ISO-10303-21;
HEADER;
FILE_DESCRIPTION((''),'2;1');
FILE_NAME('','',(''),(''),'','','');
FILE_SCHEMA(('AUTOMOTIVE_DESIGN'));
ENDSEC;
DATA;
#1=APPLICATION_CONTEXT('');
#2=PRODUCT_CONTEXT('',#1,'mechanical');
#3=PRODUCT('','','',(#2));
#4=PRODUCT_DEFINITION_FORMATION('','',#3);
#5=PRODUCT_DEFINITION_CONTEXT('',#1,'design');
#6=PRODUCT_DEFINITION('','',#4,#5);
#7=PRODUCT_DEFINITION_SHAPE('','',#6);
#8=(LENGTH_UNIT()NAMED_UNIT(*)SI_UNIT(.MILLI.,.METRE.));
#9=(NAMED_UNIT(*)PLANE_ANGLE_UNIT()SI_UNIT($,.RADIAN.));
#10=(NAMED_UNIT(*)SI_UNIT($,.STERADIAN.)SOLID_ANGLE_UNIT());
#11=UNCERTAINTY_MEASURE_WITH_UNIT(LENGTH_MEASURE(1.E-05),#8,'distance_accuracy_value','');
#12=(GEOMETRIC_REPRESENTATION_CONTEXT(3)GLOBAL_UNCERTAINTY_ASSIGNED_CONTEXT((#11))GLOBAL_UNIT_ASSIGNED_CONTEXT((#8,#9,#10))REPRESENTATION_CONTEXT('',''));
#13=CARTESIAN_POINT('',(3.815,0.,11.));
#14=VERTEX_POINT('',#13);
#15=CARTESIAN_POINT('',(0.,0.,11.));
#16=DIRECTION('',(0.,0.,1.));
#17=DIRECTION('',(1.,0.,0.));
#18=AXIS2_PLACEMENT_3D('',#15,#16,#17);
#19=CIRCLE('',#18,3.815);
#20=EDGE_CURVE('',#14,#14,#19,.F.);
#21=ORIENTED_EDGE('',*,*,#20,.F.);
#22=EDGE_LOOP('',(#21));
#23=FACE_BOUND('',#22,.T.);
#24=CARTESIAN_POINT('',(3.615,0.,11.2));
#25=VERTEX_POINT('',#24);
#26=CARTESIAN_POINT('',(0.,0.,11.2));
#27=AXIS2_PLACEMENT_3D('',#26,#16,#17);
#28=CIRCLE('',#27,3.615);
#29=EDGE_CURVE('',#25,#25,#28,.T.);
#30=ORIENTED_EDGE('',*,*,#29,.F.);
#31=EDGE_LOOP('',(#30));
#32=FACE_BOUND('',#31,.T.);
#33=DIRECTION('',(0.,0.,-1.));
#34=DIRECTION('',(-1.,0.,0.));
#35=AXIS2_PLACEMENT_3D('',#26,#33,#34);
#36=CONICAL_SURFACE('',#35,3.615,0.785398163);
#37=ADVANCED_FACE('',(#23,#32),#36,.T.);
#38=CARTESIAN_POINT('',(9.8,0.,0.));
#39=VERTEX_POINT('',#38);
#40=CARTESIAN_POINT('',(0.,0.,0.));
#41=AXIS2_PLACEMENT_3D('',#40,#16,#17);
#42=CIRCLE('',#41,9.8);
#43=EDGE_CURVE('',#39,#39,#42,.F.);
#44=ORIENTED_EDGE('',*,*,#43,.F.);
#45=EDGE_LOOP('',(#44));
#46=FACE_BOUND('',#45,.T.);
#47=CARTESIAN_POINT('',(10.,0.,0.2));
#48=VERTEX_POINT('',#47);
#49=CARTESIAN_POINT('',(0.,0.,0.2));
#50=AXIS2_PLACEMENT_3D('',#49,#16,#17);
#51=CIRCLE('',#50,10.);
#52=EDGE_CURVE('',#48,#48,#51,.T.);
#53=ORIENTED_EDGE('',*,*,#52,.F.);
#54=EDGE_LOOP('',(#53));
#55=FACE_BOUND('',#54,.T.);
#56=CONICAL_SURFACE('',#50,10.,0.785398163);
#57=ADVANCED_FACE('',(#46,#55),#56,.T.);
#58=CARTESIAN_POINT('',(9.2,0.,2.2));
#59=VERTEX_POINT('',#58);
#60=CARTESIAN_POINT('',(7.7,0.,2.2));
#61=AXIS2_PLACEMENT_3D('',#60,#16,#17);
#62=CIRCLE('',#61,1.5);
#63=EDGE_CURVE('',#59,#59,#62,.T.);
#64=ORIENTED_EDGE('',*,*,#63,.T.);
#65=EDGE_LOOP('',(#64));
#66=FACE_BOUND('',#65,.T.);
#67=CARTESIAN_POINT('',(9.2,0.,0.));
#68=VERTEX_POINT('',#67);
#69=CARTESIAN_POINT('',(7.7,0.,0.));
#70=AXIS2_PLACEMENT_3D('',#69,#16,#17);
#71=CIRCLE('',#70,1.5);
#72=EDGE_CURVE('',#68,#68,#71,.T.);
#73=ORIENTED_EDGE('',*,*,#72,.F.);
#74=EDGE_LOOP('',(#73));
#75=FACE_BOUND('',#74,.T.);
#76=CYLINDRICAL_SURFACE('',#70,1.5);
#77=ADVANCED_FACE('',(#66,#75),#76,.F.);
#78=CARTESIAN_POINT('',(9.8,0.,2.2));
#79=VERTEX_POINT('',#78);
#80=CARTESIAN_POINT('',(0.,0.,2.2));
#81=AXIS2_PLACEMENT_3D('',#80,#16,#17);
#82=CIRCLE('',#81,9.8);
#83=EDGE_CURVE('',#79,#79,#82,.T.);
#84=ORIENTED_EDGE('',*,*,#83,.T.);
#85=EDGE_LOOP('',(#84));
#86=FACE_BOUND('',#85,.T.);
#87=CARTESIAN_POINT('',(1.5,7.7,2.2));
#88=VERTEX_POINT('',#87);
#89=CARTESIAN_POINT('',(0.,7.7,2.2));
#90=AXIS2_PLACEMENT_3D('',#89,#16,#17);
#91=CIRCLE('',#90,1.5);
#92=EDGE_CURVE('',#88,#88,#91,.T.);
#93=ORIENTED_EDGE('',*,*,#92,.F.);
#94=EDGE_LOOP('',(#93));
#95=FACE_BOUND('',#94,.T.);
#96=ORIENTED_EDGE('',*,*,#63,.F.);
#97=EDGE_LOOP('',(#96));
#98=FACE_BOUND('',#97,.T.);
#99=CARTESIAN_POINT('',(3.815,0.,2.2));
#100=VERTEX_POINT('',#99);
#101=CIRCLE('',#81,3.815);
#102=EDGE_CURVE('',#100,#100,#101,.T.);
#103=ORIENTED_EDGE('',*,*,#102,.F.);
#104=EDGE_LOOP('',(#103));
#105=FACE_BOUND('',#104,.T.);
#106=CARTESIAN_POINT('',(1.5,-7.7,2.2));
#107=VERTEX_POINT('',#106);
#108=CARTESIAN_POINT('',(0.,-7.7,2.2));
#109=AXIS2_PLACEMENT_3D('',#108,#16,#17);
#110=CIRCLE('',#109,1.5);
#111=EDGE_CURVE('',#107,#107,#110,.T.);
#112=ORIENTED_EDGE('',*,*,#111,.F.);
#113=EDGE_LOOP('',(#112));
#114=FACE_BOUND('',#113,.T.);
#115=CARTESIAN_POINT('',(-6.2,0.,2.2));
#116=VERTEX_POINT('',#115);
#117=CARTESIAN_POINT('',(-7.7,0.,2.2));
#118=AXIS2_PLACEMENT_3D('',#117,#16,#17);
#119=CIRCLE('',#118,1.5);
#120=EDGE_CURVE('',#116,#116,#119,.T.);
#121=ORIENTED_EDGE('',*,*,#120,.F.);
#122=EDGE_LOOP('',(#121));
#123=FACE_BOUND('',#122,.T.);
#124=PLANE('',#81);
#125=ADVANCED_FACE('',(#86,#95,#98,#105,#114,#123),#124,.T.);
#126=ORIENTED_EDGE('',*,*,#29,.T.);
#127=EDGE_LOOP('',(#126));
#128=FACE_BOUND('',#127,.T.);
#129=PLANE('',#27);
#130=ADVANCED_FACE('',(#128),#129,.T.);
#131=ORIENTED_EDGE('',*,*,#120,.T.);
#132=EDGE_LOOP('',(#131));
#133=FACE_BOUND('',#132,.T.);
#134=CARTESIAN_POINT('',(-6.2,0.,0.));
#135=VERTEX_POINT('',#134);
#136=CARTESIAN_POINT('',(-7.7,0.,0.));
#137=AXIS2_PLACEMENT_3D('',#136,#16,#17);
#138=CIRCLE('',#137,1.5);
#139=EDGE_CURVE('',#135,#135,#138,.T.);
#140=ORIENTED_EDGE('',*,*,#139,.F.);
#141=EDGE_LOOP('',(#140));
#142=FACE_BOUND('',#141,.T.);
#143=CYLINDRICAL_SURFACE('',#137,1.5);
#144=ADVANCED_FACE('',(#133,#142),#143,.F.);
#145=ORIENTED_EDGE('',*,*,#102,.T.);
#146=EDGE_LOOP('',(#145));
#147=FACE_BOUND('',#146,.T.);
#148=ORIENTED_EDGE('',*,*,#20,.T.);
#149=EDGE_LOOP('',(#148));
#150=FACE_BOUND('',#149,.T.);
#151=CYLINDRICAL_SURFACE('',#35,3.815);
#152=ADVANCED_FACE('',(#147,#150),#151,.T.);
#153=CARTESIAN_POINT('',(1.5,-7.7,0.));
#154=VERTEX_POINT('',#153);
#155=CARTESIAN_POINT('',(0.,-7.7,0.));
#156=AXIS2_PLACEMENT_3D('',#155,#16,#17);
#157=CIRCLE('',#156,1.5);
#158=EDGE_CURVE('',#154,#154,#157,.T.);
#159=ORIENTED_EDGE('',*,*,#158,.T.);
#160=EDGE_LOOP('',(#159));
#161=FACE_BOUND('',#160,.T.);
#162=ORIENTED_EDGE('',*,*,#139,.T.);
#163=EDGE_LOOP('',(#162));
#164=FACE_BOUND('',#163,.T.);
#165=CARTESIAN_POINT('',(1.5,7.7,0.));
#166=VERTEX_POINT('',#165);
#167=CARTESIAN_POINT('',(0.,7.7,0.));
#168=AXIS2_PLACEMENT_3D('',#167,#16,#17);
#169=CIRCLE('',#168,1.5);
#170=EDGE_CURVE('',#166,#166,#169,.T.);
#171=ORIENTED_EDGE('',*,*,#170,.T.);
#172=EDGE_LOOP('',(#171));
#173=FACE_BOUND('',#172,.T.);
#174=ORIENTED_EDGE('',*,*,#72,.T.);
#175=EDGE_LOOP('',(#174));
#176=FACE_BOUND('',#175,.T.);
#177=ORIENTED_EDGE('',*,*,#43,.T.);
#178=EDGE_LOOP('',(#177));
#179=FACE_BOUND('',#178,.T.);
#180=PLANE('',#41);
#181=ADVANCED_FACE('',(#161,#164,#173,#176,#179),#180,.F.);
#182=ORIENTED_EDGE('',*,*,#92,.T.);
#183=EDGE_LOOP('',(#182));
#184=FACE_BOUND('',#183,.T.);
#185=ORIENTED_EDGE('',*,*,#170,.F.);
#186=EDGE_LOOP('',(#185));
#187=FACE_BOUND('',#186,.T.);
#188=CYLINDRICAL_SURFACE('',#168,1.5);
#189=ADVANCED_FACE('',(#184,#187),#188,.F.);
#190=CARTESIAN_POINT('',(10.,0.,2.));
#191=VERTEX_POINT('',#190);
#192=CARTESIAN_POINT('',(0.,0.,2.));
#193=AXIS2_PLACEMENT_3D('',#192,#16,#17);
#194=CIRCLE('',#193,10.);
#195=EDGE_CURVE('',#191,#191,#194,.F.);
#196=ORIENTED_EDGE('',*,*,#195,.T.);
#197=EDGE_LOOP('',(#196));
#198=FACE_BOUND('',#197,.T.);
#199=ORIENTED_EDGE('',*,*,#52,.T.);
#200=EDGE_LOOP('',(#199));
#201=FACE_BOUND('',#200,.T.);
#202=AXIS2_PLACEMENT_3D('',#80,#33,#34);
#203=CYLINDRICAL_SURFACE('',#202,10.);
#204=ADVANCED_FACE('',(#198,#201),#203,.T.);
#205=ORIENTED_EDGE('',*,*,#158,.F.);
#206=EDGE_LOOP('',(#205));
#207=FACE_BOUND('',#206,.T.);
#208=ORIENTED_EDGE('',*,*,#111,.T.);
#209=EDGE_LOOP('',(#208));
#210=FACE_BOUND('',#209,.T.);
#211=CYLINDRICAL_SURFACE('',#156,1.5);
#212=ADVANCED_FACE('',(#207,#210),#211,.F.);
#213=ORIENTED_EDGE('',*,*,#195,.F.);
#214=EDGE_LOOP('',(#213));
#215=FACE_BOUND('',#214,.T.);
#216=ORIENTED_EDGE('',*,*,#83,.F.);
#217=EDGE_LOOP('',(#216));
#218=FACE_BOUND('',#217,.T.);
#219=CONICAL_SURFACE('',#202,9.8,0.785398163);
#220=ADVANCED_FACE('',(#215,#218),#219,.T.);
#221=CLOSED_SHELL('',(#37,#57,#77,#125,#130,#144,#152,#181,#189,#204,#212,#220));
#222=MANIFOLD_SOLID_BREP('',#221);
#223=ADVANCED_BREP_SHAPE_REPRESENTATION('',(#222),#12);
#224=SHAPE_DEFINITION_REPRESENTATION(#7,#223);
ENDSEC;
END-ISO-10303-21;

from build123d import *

# Parameters (mm, degrees)
SKETCH1_R           = 10
BOSS_EXTRUDE1_DEPTH = 2.2
SKETCH2_R           = 1.5
CUT_EXTRUDE1_DEPTH  = 15.31223253
SKETCH2_3_R         = 3.815
BOSS_EXTRUDE2_DEPTH = 9
CHAMFER1_SIZE       = 0.2


with BuildPart() as part:
    # Sketch1 → Boss-Extrude1 (new body)
    with BuildSketch(Plane.XY):
        Circle(SKETCH1_R)
    extrude(amount=BOSS_EXTRUDE1_DEPTH)

    # Sketch2 → Cut-Extrude1 (cut, through all)
    with BuildSketch(Plane.XY.offset(2.2)):
        with Locations((0, 7.7)):
            Circle(SKETCH2_R)
        with Locations((7.7, 0)):
            Circle(SKETCH2_R)
        with Locations((0, -7.7)):
            Circle(SKETCH2_R)
        with Locations((-7.7, 0)):
            Circle(SKETCH2_R)
    extrude(amount=-CUT_EXTRUDE1_DEPTH, mode=Mode.SUBTRACT)

    # Sketch2<3> → Boss-Extrude2 (add)
    with BuildSketch(Plane.XY.offset(2.2)):
        Circle(SKETCH2_3_R)
    extrude(amount=BOSS_EXTRUDE2_DEPTH)

    # Chamfer1
    chamfer1_edges = [part.edges().sort_by_distance(p)[0] for p in [
        (-10, 0, 0),
        (-3.815, 0, 11.2),
        (-10, 0, 2.2),
    ]]
    chamfer(chamfer1_edges, length=CHAMFER1_SIZE)


solid = part.part
